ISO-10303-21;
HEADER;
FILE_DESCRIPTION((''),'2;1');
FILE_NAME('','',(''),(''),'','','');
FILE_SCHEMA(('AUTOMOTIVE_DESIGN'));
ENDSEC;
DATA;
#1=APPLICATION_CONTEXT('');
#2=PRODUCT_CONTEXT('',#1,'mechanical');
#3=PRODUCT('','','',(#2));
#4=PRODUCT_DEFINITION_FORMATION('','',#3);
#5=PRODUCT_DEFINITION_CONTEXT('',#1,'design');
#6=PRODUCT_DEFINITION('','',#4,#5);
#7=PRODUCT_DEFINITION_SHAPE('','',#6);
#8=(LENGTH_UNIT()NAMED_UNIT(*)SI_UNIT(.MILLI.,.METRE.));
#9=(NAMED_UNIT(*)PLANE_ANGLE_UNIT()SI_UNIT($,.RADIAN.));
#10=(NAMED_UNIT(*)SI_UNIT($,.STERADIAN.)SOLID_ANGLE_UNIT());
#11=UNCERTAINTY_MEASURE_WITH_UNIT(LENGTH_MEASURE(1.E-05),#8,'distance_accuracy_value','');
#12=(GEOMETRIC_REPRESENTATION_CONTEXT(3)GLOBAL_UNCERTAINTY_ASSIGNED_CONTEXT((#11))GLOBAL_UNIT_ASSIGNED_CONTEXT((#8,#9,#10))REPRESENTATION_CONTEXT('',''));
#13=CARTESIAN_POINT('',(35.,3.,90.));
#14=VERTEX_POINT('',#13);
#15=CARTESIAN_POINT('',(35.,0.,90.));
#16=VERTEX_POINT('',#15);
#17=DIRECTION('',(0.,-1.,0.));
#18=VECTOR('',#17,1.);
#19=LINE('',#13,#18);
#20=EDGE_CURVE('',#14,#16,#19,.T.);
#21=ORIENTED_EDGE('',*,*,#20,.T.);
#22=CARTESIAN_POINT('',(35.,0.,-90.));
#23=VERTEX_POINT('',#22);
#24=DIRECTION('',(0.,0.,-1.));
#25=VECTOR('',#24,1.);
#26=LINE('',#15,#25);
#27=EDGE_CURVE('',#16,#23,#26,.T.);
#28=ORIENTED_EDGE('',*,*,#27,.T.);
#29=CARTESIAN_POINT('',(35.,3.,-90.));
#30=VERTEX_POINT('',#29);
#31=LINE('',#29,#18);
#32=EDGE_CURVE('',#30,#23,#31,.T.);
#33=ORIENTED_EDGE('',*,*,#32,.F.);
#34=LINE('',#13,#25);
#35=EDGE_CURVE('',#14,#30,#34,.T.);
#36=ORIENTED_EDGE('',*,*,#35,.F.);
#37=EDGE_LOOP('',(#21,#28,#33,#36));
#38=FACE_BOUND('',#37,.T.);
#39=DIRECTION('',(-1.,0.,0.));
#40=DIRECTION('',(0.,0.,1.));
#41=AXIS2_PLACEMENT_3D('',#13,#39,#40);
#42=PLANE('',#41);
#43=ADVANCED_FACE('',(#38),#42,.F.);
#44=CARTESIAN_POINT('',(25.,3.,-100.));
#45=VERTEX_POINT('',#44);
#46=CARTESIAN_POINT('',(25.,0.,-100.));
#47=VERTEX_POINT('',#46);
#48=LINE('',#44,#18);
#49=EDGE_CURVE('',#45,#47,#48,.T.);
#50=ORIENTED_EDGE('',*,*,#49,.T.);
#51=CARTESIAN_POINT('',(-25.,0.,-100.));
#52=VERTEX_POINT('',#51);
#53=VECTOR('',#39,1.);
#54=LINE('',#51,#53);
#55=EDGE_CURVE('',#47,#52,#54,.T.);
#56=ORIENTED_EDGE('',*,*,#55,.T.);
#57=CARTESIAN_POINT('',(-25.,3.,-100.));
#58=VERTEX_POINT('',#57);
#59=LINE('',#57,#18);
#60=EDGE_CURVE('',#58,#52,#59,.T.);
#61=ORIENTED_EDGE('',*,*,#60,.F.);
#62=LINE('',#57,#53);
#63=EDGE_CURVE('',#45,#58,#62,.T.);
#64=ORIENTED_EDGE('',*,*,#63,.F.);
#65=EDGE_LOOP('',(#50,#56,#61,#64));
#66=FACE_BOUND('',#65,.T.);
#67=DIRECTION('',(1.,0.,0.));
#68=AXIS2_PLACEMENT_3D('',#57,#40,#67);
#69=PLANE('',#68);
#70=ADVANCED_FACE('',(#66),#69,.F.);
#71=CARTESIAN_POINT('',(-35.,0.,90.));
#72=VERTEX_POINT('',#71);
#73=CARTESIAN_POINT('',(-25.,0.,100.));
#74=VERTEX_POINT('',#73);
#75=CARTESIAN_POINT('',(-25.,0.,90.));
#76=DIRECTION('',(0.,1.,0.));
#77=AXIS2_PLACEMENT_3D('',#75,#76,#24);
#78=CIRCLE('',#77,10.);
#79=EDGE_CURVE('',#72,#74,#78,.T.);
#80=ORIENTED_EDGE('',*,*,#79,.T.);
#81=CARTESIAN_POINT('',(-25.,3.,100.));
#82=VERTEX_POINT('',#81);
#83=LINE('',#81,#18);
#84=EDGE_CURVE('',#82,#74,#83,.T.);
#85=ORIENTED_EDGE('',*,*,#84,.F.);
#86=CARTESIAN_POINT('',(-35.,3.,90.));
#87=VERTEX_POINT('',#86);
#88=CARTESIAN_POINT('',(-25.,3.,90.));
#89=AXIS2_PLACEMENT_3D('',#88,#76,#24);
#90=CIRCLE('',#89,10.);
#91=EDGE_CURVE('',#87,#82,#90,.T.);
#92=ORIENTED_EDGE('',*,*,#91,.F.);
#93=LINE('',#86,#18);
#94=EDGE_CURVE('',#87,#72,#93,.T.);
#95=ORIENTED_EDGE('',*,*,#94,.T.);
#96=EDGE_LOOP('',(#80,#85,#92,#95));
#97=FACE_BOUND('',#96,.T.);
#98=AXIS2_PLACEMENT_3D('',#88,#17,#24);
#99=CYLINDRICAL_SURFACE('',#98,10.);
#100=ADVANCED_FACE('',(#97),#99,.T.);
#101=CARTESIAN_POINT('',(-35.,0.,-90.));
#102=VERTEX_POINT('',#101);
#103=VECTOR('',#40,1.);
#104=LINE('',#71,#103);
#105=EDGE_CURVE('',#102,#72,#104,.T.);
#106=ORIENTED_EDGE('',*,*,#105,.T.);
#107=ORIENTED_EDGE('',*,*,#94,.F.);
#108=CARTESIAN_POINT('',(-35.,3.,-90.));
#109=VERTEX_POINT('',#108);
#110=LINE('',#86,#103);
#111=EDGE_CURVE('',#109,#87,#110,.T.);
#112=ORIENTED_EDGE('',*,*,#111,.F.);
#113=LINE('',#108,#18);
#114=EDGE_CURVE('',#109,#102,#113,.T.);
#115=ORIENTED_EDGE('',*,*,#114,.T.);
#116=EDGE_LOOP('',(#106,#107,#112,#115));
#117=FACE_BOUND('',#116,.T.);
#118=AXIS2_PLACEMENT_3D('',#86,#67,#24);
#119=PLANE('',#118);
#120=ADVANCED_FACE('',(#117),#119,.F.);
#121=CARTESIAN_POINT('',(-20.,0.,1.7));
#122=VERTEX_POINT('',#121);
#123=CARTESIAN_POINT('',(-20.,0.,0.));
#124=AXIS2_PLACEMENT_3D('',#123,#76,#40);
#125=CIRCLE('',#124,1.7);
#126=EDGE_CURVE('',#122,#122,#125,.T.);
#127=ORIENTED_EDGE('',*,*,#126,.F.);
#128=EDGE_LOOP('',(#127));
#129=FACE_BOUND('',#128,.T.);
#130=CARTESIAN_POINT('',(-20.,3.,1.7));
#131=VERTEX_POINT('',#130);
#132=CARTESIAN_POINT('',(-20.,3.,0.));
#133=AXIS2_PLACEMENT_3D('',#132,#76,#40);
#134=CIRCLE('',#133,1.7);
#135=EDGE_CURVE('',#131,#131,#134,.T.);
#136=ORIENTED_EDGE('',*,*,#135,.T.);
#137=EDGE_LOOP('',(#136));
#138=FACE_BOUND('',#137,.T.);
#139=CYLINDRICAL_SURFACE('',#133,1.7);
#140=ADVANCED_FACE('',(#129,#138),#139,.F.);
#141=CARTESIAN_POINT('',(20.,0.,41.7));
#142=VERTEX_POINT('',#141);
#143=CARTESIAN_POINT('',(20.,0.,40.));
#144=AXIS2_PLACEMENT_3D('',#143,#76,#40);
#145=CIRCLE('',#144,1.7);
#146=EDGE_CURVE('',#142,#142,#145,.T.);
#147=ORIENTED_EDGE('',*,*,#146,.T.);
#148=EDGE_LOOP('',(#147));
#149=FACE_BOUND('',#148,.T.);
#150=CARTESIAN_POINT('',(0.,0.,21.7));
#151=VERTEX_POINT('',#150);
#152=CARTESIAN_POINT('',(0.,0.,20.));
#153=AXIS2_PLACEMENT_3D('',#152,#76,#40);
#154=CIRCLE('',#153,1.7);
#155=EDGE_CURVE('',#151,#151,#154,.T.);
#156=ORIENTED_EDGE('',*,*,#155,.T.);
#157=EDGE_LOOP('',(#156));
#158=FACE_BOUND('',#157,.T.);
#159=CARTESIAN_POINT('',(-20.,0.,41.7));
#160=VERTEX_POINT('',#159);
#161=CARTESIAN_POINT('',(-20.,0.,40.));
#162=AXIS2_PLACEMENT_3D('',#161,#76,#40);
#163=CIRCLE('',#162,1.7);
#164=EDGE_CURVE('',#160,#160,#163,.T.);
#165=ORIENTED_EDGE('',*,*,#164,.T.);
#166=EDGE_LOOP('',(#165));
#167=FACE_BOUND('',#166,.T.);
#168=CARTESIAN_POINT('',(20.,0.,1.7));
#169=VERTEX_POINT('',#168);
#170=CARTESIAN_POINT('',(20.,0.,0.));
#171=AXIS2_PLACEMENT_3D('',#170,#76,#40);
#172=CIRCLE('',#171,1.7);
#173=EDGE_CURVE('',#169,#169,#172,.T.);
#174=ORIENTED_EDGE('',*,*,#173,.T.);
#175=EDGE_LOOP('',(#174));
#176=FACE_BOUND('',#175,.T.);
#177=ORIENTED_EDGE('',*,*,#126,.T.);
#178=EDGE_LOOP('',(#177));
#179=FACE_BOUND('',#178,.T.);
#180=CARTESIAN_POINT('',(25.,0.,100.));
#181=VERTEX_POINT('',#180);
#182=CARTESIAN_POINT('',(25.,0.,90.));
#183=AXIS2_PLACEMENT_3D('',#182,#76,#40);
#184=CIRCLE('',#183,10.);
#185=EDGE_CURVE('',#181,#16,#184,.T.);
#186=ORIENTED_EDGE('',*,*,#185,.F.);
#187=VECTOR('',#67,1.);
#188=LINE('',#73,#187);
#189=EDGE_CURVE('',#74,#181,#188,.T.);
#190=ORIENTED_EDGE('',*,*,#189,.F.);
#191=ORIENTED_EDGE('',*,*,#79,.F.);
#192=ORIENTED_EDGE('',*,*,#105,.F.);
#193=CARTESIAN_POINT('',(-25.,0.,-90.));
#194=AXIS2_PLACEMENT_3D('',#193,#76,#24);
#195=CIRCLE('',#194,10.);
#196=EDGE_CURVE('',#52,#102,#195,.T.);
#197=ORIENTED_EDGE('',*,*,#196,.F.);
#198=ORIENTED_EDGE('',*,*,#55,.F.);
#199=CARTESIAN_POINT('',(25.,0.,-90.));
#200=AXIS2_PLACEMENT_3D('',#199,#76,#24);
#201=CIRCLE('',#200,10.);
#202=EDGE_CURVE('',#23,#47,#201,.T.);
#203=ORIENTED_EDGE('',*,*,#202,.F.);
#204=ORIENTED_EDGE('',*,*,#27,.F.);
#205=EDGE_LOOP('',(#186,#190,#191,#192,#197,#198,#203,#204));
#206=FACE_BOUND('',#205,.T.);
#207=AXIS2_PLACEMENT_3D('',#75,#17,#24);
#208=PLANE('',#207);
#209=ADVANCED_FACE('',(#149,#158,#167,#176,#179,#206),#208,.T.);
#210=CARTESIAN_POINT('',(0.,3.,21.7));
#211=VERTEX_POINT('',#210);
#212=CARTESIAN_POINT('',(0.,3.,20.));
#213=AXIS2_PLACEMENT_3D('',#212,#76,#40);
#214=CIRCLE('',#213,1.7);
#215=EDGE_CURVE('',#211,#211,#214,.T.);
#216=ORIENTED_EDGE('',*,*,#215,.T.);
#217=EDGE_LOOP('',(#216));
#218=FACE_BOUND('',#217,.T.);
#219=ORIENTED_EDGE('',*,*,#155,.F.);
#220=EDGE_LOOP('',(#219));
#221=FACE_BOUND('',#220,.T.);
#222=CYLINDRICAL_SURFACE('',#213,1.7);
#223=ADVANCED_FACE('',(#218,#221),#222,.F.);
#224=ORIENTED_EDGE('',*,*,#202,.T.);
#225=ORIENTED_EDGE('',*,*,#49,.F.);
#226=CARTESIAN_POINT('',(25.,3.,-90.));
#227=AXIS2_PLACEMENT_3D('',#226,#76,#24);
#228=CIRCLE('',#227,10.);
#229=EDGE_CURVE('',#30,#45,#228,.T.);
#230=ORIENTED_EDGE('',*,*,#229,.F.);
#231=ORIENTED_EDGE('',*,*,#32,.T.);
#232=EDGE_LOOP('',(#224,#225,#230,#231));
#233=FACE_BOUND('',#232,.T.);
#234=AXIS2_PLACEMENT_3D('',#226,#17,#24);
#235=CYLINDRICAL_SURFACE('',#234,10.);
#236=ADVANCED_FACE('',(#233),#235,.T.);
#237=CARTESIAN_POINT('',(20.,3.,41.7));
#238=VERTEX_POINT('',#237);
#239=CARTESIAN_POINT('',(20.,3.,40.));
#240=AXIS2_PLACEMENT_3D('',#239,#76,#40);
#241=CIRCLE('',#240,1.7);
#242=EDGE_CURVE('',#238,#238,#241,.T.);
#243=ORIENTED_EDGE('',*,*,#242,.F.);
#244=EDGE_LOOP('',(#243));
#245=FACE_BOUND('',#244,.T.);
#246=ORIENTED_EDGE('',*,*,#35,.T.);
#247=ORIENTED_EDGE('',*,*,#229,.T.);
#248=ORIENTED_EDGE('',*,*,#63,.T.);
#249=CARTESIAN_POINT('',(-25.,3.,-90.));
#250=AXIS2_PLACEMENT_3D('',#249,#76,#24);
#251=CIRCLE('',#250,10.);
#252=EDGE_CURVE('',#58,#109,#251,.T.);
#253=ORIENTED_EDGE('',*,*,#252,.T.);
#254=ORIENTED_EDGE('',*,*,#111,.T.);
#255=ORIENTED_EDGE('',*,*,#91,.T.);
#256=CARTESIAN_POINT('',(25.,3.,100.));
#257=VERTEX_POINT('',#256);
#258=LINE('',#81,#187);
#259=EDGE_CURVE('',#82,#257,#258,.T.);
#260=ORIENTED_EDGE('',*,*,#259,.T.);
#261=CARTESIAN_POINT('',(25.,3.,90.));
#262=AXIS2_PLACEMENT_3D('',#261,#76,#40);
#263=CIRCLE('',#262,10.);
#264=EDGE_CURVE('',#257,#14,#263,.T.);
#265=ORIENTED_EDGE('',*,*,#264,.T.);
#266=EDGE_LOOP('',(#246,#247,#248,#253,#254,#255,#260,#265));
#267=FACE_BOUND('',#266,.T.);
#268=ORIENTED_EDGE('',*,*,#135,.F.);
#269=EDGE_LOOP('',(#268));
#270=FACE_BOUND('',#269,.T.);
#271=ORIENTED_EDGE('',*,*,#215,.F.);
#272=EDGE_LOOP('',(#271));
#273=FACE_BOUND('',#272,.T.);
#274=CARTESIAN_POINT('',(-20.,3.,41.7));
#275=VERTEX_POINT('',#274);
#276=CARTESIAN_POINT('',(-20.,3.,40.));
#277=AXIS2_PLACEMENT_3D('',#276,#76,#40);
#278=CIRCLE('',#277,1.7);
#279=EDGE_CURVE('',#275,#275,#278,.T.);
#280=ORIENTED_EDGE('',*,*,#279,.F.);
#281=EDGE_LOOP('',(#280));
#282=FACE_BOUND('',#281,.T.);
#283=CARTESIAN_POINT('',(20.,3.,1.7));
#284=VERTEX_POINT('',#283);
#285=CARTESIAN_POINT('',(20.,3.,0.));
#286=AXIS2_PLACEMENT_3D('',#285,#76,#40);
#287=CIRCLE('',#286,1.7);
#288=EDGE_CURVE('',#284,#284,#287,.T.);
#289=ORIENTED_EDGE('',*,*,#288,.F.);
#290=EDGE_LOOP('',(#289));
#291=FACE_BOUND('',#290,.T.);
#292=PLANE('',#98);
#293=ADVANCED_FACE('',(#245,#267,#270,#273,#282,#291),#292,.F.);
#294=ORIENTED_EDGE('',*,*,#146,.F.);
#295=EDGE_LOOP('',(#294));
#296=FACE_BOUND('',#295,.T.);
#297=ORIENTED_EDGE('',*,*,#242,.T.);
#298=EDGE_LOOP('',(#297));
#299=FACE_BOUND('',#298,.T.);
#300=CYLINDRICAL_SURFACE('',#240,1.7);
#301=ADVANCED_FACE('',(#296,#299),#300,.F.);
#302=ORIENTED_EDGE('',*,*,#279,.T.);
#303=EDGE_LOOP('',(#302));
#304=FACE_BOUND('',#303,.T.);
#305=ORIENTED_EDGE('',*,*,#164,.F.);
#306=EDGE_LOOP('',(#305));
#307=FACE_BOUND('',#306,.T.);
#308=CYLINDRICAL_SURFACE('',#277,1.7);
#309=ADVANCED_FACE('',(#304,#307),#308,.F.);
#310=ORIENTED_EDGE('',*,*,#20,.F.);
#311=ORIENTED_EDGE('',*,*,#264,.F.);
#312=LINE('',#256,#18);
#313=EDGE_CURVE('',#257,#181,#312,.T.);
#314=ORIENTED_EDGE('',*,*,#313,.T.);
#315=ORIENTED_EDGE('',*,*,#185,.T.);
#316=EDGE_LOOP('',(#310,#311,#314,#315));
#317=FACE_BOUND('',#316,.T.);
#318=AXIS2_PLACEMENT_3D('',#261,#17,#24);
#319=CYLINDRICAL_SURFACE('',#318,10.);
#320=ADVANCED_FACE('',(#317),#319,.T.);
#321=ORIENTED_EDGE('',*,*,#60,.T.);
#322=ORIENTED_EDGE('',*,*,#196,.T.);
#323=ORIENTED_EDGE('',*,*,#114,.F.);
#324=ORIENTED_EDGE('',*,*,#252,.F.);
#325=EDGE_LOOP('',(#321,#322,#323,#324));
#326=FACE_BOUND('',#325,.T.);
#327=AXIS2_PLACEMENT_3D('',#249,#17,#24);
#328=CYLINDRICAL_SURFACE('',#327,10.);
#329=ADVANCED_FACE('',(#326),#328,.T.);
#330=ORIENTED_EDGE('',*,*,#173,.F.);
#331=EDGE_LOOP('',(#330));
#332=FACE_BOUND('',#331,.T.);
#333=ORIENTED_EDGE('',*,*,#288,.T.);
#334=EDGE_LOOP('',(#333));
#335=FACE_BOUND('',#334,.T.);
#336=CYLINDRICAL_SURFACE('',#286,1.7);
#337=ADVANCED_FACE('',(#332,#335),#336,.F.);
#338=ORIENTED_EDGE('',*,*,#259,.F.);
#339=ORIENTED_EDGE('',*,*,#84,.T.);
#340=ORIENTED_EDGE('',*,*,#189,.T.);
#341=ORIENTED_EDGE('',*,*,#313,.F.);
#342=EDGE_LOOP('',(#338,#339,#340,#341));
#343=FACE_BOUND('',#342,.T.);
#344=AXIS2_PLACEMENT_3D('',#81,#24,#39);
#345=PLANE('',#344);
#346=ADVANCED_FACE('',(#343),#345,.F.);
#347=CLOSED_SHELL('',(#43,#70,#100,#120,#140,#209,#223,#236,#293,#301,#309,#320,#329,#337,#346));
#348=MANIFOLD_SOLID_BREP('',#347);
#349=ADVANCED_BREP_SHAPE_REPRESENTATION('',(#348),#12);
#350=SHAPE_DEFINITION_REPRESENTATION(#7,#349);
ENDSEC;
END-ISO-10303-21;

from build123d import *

# Parameters (mm, degrees)
SALIENTE_EXTRUIR1_DEPTH      = 3
TALADRO_DE_MARGEN_PARA_M31_D = 3.4


with BuildPart() as part:
    # Croquis1 → Saliente-Extruir1 (new body)
    with BuildSketch(Plane(origin=(0, 0, 0), x_dir=(1, 0, 0), z_dir=(0, 1, 0))):
        with BuildLine():
            Line((-25, -100), (25, -100))
            ThreePointArc((25, -100), (32.071067812, -97.071067812), (35, -90))
            Line((35, -90), (35, 90))
            ThreePointArc((35, 90), (32.071067812, 97.071067812), (25, 100))
            Line((25, 100), (-25, 100))
            ThreePointArc((-25, 100), (-32.071067812, 97.071067812), (-35, 90))
            Line((-35, 90), (-35, -90))
            ThreePointArc((-35, -90), (-32.071067812, -97.071067812), (-25, -100))
        make_face()
    extrude(amount=SALIENTE_EXTRUIR1_DEPTH)

    # Taladro de margen para M31 (through all)
    with Locations(Plane(origin=(0, 3, 0), x_dir=(1, 0, 0), z_dir=(0, 1, 0))):
        with Locations((-20, 0), (-20, -40), (20, -40), (20, 0), (0, -20)):
            Hole(TALADRO_DE_MARGEN_PARA_M31_D / 2)


solid = part.part
